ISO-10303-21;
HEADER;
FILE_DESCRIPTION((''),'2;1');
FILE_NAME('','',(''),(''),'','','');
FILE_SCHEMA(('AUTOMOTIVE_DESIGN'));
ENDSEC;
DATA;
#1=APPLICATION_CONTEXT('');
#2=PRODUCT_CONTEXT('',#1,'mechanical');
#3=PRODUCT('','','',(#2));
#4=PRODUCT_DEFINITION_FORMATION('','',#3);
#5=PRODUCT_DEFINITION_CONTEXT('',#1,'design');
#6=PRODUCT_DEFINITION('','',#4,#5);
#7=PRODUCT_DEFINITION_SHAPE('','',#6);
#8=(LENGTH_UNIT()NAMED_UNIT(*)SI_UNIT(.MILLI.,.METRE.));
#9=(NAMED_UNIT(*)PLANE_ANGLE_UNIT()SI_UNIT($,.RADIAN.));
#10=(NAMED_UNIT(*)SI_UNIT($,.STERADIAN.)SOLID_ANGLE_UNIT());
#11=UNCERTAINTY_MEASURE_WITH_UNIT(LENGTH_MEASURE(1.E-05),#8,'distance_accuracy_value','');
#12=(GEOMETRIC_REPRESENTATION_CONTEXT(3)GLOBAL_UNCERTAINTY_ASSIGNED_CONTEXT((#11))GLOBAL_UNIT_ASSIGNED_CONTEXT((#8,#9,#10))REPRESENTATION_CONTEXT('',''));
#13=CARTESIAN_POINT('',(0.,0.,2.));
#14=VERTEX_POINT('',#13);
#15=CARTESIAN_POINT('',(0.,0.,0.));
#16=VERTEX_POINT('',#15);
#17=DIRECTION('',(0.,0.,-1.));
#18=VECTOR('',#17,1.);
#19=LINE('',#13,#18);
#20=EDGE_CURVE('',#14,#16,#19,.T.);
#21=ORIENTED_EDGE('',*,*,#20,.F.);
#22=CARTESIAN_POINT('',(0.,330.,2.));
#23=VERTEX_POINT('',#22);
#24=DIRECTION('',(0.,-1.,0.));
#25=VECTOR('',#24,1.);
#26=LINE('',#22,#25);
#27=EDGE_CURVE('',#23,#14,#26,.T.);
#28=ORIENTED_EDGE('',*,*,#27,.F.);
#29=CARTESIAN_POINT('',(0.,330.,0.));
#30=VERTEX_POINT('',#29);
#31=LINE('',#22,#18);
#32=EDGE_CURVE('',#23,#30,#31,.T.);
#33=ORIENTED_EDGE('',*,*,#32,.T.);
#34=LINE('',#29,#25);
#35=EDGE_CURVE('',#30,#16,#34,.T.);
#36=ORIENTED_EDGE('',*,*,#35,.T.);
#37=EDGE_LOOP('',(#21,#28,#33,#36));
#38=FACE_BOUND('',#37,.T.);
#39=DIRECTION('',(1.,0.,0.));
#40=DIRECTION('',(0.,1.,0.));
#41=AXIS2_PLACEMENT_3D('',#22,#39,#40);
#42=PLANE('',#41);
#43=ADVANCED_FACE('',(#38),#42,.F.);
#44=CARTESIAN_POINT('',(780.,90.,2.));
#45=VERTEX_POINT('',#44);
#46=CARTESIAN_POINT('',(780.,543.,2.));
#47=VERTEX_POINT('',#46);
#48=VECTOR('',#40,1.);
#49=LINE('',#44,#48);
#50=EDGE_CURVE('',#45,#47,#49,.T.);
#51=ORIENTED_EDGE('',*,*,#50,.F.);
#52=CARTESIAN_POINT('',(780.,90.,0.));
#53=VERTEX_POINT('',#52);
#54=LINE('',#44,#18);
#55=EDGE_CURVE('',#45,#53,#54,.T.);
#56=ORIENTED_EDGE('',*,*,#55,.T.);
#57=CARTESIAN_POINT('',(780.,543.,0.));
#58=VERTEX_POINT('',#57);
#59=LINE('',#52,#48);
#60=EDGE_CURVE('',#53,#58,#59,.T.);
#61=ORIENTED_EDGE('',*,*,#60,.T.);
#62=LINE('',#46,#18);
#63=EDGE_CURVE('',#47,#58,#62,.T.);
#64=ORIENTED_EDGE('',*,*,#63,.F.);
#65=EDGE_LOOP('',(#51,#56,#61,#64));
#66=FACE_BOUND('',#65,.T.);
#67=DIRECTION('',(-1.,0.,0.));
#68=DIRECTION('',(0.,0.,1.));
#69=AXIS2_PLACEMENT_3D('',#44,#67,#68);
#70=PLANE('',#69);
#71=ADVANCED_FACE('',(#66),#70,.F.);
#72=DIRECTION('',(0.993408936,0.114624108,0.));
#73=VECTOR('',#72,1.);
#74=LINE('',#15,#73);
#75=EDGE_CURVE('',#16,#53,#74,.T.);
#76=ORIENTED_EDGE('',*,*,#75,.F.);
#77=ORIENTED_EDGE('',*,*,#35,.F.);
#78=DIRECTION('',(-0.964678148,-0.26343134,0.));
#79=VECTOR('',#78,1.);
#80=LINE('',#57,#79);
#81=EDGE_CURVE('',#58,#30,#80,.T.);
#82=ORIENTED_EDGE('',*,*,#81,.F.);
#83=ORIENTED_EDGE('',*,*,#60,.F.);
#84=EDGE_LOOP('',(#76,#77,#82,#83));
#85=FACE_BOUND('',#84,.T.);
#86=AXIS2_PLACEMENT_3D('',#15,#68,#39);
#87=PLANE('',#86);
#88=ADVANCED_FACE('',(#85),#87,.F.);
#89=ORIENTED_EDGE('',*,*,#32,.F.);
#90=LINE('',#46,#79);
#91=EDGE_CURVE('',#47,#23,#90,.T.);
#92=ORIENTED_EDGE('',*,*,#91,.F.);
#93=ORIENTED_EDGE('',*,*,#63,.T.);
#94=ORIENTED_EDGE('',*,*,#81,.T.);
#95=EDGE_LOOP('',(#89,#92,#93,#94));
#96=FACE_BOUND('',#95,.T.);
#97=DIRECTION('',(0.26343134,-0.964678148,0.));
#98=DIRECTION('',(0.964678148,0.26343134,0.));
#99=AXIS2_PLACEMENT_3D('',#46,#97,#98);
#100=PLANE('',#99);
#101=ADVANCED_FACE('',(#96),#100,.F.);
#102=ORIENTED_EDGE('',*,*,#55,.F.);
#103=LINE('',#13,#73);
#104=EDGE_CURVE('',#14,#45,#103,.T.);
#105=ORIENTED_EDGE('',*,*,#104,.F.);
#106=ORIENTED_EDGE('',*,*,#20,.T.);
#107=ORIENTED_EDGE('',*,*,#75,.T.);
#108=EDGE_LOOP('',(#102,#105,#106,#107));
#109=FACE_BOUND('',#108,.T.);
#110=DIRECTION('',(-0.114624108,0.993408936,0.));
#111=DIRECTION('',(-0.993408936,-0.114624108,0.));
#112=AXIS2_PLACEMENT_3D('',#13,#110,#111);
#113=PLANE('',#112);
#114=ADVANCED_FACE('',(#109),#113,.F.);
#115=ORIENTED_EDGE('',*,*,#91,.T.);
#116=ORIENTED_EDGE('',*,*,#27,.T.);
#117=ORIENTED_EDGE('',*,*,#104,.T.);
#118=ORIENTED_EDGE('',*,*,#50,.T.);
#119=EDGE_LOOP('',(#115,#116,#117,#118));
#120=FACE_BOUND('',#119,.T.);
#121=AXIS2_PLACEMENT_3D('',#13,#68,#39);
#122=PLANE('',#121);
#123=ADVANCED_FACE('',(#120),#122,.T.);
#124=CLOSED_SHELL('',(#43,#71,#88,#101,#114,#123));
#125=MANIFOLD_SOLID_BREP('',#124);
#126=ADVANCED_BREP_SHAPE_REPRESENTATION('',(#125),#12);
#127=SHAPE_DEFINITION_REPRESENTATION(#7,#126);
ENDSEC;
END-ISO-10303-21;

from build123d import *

# Parameters (mm, degrees)
EXTRUDE_1_DEPTH = 2


with BuildPart() as part:
    # ｽｹｯﾁ1 → ﾎﾞｽ - 押し出し1 (new body)
    with BuildSketch(Plane.XY):
        Polygon((0, 330), (0, 0), (780, 90), (780, 543), align=None)
    extrude(amount=EXTRUDE_1_DEPTH)


solid = part.part
